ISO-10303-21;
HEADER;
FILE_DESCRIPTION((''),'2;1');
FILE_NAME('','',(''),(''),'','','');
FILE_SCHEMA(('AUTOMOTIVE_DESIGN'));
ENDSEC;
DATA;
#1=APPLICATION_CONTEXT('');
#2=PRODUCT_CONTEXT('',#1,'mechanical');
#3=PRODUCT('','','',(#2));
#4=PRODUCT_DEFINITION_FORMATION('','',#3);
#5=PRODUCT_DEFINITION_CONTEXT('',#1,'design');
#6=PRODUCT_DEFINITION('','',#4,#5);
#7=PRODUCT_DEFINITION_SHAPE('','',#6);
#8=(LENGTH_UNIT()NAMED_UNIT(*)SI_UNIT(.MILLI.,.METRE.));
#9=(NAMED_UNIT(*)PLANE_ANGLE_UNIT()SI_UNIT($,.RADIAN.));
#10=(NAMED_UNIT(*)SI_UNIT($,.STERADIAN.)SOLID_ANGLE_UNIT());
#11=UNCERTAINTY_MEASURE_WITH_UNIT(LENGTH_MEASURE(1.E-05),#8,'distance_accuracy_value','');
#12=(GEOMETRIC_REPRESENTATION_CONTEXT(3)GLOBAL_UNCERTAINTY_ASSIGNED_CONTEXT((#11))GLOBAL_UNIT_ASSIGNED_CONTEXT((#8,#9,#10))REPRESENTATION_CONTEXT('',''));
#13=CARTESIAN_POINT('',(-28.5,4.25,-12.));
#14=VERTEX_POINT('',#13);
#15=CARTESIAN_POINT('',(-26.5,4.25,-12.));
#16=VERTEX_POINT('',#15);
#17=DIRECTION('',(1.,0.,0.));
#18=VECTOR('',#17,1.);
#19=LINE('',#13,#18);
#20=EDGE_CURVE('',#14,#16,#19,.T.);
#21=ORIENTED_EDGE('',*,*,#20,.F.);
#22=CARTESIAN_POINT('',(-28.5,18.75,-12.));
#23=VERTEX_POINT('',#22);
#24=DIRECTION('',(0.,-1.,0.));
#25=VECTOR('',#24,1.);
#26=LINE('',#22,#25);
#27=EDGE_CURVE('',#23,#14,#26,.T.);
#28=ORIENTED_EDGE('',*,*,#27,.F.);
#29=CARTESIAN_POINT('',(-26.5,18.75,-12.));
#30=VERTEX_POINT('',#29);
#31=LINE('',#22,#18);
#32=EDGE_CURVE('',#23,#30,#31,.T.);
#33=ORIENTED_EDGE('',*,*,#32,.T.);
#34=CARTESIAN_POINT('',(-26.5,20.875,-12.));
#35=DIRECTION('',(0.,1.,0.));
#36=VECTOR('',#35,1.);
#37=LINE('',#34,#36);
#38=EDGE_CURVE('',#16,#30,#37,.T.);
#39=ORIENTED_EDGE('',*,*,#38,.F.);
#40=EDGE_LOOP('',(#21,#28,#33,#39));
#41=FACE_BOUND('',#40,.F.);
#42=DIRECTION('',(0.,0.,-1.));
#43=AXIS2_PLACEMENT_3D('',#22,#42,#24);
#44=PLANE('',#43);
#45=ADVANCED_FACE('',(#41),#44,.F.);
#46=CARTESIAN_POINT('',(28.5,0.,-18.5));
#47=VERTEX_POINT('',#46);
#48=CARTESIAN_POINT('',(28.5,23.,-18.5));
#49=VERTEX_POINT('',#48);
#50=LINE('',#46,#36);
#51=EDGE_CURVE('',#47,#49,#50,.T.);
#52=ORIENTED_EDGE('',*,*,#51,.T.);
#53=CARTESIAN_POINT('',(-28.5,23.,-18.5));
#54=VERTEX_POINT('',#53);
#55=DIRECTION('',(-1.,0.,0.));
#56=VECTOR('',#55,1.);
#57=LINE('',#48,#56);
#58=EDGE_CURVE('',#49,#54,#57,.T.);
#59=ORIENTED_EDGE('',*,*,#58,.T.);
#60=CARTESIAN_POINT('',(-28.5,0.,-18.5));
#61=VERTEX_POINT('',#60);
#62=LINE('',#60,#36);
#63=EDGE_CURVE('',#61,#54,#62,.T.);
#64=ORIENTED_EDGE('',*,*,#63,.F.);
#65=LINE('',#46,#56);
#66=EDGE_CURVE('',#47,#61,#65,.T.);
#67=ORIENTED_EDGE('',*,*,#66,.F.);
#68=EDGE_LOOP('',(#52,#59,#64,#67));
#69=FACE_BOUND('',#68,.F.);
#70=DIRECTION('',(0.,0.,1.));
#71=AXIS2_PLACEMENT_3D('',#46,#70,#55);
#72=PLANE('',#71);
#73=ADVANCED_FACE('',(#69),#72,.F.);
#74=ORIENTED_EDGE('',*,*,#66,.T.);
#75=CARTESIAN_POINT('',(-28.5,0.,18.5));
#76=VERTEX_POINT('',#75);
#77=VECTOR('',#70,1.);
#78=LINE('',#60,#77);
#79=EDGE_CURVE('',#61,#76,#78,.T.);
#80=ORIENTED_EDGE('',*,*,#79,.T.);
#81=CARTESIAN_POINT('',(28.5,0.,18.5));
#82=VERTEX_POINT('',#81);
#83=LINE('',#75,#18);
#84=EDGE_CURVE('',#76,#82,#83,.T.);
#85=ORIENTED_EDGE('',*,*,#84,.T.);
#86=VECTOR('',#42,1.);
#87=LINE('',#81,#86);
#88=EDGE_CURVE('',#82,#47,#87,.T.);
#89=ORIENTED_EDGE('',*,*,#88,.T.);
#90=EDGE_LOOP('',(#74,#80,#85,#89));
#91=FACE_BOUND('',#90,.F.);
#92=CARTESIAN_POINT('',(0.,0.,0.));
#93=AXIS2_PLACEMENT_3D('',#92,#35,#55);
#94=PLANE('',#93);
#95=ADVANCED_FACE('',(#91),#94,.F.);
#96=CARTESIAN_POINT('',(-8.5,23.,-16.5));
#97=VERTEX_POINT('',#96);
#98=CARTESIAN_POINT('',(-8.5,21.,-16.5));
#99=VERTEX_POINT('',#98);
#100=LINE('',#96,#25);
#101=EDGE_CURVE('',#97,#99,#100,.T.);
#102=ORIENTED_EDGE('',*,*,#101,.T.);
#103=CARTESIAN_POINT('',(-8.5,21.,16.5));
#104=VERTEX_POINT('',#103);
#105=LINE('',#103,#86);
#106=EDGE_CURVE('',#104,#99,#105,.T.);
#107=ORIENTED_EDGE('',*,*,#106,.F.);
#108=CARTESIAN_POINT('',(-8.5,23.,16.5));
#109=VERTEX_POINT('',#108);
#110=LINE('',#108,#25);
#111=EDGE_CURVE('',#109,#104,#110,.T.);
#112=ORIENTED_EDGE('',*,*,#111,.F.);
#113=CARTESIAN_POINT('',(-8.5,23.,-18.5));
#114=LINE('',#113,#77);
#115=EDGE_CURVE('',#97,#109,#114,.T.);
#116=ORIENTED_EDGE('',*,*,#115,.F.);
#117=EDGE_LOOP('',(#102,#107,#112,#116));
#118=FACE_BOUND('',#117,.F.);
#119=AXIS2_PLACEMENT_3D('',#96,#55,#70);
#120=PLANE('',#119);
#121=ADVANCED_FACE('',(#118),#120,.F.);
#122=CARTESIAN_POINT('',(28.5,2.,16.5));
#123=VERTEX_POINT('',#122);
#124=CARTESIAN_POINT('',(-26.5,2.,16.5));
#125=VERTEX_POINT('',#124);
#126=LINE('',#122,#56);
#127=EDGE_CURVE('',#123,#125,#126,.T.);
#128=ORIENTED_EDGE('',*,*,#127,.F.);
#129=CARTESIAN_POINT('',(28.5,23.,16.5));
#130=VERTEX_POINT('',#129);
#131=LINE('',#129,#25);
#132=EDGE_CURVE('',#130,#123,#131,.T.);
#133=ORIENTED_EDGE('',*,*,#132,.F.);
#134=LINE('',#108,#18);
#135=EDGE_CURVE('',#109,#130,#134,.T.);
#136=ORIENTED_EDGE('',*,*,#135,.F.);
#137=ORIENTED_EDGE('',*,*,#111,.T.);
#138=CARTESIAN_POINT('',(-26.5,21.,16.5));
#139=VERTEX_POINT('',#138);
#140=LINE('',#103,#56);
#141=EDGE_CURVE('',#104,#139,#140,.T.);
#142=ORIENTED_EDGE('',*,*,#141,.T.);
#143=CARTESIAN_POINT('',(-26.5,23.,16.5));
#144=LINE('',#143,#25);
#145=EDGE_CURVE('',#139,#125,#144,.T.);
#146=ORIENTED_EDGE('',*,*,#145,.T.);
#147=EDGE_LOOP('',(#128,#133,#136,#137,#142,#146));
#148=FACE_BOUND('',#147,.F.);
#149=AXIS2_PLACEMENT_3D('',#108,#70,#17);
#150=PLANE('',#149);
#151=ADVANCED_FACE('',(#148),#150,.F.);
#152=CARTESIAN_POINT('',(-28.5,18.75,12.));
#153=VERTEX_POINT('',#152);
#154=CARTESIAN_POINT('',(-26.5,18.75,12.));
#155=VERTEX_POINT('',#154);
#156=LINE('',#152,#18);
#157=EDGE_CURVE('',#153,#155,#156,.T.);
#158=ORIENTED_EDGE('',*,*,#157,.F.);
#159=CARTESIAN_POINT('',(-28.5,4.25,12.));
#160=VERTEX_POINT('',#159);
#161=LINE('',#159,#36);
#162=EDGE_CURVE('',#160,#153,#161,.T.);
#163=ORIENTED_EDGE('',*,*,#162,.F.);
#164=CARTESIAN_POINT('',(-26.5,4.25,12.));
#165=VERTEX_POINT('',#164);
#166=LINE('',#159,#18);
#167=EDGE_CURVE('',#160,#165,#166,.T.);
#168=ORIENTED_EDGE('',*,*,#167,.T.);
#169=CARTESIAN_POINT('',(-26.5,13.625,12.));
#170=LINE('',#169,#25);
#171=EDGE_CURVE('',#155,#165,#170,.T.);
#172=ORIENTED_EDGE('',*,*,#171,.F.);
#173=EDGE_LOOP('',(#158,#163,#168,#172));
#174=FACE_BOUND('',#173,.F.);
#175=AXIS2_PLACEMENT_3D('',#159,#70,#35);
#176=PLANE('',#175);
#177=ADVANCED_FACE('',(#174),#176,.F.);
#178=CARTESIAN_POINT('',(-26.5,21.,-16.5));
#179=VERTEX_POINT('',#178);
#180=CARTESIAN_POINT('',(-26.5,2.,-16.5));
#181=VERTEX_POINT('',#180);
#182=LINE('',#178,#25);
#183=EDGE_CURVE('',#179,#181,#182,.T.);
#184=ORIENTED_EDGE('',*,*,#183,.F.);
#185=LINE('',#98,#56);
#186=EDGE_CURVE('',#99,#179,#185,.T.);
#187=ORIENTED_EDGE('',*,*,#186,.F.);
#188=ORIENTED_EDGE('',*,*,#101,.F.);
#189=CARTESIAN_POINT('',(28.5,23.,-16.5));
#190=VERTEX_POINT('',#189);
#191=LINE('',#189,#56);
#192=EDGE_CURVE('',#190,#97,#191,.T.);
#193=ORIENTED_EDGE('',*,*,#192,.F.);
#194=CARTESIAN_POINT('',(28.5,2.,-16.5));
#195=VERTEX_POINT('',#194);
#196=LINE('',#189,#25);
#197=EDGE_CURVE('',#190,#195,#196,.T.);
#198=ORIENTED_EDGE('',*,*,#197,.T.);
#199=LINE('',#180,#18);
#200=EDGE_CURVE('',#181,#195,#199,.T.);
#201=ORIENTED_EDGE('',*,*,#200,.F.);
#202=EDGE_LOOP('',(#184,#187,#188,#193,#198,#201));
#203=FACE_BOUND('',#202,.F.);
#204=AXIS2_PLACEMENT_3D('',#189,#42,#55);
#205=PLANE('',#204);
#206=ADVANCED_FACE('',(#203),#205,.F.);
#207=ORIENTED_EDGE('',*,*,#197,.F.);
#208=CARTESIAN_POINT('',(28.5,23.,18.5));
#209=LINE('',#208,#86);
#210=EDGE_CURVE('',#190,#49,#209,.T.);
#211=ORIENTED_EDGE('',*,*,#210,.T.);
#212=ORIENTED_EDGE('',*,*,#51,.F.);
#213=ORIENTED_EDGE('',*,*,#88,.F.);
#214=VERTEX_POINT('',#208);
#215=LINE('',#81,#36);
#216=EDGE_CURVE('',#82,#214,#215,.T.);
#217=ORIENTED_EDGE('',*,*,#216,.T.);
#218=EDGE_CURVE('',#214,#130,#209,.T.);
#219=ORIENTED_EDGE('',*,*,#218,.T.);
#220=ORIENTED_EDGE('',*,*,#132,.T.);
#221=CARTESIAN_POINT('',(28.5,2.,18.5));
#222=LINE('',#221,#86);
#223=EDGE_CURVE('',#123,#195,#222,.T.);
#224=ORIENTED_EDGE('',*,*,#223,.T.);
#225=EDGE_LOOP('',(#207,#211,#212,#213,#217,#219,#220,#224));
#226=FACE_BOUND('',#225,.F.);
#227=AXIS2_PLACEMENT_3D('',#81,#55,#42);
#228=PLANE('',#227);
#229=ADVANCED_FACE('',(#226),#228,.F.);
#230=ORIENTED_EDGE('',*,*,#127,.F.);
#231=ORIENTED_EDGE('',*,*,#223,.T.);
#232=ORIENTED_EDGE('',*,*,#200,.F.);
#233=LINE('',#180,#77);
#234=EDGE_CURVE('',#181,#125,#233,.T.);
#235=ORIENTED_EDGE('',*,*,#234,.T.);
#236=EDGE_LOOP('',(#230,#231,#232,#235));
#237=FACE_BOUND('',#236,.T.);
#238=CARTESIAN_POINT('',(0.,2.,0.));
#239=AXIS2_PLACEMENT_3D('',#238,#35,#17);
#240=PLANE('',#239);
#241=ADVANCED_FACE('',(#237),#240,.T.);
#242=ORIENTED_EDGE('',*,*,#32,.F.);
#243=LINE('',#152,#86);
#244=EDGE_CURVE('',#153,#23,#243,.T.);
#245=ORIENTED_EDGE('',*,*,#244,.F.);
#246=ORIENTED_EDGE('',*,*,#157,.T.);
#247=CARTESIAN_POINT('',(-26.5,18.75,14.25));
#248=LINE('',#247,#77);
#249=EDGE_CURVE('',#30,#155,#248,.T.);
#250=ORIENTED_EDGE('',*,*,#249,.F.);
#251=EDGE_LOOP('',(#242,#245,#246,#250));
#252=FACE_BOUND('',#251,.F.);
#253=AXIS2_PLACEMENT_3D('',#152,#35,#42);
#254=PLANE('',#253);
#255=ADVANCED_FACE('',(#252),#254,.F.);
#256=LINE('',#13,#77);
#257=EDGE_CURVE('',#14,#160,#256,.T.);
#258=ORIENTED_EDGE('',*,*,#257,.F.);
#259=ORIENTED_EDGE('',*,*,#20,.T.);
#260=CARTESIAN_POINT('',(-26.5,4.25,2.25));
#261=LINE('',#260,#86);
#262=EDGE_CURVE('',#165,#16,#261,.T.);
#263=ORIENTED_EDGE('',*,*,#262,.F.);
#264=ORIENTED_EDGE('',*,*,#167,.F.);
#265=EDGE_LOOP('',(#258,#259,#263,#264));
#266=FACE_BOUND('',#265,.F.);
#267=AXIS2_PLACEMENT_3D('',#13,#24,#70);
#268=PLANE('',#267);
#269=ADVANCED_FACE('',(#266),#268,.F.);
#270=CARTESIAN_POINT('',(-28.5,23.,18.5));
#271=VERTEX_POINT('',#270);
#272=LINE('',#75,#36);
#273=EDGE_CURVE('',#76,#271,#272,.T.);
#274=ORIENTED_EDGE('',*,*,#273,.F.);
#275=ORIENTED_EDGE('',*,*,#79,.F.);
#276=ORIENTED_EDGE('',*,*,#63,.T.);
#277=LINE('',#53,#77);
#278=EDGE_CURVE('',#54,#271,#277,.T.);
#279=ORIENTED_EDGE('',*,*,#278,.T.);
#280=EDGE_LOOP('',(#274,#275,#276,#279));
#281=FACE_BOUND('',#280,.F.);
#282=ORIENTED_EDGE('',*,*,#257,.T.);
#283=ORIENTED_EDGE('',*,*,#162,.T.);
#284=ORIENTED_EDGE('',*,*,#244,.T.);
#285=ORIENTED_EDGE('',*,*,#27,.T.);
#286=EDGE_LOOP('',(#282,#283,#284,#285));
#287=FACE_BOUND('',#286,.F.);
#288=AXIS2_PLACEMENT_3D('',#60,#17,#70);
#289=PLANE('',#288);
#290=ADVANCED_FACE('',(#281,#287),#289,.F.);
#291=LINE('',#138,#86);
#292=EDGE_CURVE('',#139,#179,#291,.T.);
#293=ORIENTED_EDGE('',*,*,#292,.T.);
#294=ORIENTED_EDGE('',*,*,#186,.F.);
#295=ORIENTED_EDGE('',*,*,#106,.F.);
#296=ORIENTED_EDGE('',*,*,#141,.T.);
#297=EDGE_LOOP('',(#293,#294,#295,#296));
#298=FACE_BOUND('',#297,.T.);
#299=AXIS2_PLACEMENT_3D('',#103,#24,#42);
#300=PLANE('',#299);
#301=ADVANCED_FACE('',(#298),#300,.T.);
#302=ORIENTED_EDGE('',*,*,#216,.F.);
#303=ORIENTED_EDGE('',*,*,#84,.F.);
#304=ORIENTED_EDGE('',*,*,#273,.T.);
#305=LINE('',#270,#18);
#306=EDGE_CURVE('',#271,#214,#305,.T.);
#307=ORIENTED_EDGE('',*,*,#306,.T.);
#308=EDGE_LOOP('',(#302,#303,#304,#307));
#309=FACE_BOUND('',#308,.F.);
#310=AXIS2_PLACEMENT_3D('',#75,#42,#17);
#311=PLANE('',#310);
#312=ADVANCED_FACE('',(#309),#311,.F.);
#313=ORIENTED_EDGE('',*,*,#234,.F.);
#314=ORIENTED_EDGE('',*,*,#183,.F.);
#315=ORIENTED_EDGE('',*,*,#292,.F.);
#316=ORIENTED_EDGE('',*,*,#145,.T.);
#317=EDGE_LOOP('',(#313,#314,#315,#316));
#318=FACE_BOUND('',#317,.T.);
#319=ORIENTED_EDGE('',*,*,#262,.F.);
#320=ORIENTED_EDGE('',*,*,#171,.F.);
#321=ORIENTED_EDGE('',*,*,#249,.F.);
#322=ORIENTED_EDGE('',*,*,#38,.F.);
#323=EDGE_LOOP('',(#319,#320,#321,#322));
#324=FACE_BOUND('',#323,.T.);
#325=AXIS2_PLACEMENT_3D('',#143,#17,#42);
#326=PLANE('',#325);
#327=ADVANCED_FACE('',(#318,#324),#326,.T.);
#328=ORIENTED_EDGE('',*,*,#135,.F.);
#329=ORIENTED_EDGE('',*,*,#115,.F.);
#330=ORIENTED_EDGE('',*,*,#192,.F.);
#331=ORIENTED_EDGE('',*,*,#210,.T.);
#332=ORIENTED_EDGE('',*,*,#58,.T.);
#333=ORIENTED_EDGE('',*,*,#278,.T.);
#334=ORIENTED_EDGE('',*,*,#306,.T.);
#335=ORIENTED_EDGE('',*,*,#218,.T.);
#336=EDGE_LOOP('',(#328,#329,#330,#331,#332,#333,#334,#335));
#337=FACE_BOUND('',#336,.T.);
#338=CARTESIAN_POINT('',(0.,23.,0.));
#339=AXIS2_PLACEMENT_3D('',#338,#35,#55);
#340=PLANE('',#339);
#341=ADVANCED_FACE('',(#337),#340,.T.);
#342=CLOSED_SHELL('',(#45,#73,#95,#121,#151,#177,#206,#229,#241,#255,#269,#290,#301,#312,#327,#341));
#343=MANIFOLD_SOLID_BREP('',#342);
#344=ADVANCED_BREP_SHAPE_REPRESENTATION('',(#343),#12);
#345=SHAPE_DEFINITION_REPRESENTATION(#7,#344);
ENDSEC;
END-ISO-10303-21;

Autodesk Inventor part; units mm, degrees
ref_plane "YZ Plane" through (0, 0, 0) normal (1, 0, 0) x (0, 1, 0)
ref_plane "XZ Plane" through (0, 0, 0) normal (0, 1, 0) x (-1, 0, 0)
ref_plane "XY Plane" through (0, 0, 0) normal (0, 0, 1) x (1, 0, 0)
sketch "Esquisse1" plane through (0, 0, 0) normal (0, 1, 0) x (-1, 0, 0)
  line L0 (28.5, 18.5) -> (-28.5, 18.5)
  line L1 (-28.5, 18.5) -> (-28.5, -18.5)
  line L2 (-28.5, -18.5) -> (28.5, -18.5)
  line L3 (28.5, -18.5) -> (28.5, 18.5)
  line L4 (28.5, 18.5) -> (-28.5, -18.5) construction
  line L5 (-28.5, 18.5) -> (28.5, -18.5) construction
  point P0 (0, 0)
  dimension "d0" = 57
  dimension "d1" = 37
extrude "Extrusion1" add sketch "Esquisse1" along normal blind 23
sketch "Esquisse2" plane through (0, 23, 0) normal (0, 1, 0) x (1, 0, 0)
  line L0 (-28.5, -18.5) -> (28.5, -18.5) projected
  line L1 (28.5, -18.5) -> (28.5, 18.5) projected
  line L2 (-28.5, 18.5) -> (-8.5, 18.5)
  line L3 (-8.5, 18.5) -> (-8.5, -18.5)
  line L4 (-8.5, -18.5) -> (-28.5, -18.5)
  line L5 (-28.5, -18.5) -> (-28.5, 18.5)
  line L6 (28.5, 18.5) -> (28.5, 16.5) construction
  line L7 (28.5, -18.5) -> (28.5, -16.5) construction
  line L8 (28.5, 16.5) -> (-8.5, 16.5)
  line L9 (-8.5, 16.5) -> (-8.5, -16.5)
  line L10 (-8.5, -16.5) -> (28.5, -16.5)
  line L11 (28.5, -16.5) -> (28.5, 16.5)
  point P0 (0, 0)
  dimension "d4" = 20
  dimension "d5" = 2
  dimension "d6" = 2
  dimension "d7" = 33
extrude "Extrusion2" cut sketch "Esquisse2" against normal blind 21 contours L3 L8 L1 L10
sketch "Esquisse3" plane through (-8.5, 23, 16.5) normal (1, 0, 0) x (0, 0, -1)
  line L0 (0, 0) -> (0, -21) projected
  line L1 (33, -21) -> (0, -21)
  line L2 (0, -21) -> (0, -2)
  line L3 (0, -2) -> (33, -2)
  line L4 (33, -2) -> (33, -21)
  point P0 (16.5, -23)
  dimension "d10" = 19
extrude "Extrusion3" cut sketch "Esquisse3" against normal blind 18
sketch "Esquisse4" plane through (-28.5, 0, -18.5) normal (-1, 0, 0) x (0, 0, 1)
  line L0 (37, 0) -> (18.5, 0) construction
  line L1 (18.5, 0) -> (18.5, 11.5) construction
  line L2 (18.5, 11.5) -> (37, 11.5) construction
  line L3 (37, 11.5) -> (37, 0) construction
  line L4 (6.5, 4.25) -> (30.5, 4.25)
  line L5 (30.5, 4.25) -> (30.5, 18.75)
  line L6 (30.5, 18.75) -> (6.5, 18.75)
  line L7 (6.5, 18.75) -> (6.5, 4.25)
  line L8 (6.5, 4.25) -> (30.5, 18.75) construction
  line L9 (30.5, 4.25) -> (6.5, 18.75) construction
  dimension "d13" = 18.5
  dimension "d14" = 11.5
  dimension "d15" = 24
  dimension "d16" = 14.5
extrude "Extrusion4" cut sketch "Esquisse4" against normal blind 5
properties part number "mount pour oeil"
